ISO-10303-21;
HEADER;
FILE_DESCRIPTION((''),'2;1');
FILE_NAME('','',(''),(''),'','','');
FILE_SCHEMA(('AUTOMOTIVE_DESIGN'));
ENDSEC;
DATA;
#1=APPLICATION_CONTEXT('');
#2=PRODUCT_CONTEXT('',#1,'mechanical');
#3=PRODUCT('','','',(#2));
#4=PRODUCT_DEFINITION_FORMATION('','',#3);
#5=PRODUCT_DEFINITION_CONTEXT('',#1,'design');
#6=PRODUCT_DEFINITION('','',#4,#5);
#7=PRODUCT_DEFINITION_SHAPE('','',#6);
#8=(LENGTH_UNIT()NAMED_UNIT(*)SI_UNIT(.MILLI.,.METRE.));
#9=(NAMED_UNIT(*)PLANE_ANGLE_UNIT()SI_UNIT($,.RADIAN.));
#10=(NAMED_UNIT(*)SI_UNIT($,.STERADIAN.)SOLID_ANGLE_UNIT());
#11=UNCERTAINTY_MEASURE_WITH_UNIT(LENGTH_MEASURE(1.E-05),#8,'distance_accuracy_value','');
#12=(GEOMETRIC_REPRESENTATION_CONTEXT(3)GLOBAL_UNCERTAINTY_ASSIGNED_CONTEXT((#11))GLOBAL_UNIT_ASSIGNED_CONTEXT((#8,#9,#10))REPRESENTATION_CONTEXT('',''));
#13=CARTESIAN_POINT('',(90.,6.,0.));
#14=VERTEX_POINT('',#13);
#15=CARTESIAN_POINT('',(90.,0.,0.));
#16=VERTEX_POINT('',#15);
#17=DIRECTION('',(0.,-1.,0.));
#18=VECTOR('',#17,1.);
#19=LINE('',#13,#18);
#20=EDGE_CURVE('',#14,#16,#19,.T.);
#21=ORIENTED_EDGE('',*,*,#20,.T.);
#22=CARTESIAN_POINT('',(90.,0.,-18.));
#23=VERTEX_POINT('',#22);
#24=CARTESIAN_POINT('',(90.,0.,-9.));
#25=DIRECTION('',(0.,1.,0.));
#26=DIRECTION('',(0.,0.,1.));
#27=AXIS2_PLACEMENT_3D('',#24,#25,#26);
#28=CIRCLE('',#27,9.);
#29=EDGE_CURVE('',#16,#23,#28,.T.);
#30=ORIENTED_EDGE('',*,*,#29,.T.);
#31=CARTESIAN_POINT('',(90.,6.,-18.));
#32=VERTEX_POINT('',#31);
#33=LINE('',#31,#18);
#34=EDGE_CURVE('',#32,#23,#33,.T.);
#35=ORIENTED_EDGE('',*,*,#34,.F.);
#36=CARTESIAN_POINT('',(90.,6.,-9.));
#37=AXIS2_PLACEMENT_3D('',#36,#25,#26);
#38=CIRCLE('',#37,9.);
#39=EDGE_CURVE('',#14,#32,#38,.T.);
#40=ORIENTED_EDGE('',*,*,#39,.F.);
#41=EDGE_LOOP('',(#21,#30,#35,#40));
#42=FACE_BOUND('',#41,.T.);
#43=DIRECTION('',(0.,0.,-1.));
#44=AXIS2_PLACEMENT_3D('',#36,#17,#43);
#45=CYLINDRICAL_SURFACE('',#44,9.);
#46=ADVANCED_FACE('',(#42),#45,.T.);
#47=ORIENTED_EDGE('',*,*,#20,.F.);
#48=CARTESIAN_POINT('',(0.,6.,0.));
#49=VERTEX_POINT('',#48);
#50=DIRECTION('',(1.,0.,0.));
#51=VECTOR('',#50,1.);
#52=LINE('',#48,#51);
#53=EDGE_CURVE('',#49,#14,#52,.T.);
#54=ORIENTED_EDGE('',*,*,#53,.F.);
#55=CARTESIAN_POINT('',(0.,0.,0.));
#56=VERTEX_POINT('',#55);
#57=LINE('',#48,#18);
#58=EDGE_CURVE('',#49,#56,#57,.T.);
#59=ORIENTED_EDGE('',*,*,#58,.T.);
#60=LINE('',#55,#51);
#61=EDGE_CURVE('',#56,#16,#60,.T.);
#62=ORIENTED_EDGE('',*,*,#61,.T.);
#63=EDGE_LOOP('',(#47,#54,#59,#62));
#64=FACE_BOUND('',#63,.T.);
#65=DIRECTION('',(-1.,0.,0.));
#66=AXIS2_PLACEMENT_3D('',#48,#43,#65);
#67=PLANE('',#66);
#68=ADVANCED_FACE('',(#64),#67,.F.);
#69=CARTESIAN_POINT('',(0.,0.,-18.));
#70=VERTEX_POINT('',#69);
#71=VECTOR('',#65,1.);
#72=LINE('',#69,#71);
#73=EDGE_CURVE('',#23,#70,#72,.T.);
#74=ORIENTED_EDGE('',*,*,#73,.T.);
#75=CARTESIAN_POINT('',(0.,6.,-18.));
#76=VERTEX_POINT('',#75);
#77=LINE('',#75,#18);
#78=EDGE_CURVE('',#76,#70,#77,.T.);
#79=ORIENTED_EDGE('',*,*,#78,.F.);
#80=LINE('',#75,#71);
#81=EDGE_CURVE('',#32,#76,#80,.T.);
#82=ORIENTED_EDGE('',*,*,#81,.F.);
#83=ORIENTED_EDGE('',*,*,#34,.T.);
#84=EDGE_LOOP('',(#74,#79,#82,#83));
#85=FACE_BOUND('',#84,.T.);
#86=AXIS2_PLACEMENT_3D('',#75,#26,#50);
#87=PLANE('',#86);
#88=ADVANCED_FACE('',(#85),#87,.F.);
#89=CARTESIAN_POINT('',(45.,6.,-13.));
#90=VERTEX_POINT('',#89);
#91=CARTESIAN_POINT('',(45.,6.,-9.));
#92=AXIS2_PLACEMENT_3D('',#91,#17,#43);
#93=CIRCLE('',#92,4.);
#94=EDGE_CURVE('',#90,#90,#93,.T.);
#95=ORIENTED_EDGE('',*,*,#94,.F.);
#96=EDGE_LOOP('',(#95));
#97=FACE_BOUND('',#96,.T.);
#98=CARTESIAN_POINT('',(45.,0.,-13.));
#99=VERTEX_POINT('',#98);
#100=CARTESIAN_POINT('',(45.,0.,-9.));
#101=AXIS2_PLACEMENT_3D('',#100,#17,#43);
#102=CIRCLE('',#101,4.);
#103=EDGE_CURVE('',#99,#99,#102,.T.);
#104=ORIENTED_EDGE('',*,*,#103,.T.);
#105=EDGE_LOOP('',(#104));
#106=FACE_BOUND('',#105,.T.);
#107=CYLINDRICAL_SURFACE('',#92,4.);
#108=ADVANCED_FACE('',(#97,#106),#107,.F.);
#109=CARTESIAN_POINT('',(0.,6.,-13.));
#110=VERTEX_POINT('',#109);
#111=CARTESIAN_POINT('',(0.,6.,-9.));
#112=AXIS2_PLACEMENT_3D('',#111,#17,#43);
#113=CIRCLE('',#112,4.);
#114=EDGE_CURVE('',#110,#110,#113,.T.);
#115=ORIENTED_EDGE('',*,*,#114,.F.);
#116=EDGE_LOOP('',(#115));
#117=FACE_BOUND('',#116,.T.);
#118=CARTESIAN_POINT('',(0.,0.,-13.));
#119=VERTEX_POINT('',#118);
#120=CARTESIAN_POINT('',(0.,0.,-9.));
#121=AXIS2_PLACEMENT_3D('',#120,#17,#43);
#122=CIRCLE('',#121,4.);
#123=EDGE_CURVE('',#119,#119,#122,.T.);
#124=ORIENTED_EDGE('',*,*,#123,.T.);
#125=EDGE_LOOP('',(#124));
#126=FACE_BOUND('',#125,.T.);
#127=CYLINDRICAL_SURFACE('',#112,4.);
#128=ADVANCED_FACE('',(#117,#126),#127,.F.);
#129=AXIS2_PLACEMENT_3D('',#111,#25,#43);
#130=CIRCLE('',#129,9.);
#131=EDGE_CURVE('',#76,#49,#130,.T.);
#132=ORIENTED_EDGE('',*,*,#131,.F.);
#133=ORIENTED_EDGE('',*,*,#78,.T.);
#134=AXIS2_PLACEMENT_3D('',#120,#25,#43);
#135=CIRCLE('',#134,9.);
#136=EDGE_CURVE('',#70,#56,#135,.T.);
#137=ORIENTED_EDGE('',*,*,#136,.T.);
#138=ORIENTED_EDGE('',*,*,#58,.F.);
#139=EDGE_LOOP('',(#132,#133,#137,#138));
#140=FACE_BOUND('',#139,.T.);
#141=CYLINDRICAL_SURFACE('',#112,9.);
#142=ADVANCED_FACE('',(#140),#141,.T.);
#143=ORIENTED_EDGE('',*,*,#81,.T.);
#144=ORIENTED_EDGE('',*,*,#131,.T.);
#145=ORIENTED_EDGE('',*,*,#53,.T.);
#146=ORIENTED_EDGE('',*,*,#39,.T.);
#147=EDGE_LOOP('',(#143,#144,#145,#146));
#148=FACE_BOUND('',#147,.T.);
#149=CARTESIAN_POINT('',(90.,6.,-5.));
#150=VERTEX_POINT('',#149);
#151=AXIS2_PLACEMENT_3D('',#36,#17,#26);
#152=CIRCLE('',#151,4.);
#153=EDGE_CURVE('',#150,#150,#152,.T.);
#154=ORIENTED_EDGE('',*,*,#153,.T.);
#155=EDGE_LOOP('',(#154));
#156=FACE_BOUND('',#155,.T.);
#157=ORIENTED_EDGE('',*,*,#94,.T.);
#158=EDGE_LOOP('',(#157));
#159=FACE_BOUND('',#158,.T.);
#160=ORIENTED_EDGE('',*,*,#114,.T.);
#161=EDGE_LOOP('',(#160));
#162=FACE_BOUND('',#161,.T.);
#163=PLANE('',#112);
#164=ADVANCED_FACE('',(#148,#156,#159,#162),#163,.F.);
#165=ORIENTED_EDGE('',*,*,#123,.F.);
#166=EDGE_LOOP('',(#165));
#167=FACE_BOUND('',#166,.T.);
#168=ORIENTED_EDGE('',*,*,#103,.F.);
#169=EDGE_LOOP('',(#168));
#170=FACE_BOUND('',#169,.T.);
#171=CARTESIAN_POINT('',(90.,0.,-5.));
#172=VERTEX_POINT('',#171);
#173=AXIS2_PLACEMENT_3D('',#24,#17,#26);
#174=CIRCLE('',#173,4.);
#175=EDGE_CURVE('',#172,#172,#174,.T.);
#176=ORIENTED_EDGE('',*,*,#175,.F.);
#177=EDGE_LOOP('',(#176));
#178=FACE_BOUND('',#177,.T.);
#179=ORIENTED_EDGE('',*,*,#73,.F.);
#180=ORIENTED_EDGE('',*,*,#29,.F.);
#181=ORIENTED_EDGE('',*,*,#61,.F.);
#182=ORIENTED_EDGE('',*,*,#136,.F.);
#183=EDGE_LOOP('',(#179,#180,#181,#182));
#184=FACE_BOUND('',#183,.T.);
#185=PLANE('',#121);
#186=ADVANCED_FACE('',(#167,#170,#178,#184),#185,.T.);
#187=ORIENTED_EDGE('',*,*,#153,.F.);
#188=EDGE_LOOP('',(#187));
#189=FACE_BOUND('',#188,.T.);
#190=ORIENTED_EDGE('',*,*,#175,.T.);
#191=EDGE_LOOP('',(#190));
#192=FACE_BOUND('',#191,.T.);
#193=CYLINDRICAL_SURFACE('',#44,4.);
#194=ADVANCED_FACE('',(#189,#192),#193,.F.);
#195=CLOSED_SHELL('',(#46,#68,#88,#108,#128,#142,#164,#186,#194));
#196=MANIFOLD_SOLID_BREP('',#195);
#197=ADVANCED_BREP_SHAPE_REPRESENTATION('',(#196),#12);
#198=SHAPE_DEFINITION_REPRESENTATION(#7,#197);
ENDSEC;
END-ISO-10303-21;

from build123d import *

# Parameters (mm, degrees)
BOSS_EXTRUDE1_DEPTH = 6
SKETCH3_R           = 4
CUT_EXTRUDE1_DEPTH  = 6


with BuildPart() as part:
    # Sketch2 → Boss-Extrude1 (new body)
    with BuildSketch(Plane(origin=(0, 0, 0), x_dir=(1, 0, 0), z_dir=(0, 1, 0))):
        with BuildLine():
            Line((0, 0), (90, 0))
            ThreePointArc((90, 0), (99, 9), (90, 18))
            Line((90, 18), (0, 18))
            ThreePointArc((0, 18), (-9, 9), (0, 0))
        make_face()
    extrude(amount=BOSS_EXTRUDE1_DEPTH)

    # Sketch3 → Cut-Extrude1 (cut)
    with BuildSketch(Plane.XZ):
        with Locations(Location((0, -9, 0), (0, 0, 270))):
            Circle(SKETCH3_R)
        with Locations(Location((90, -9, 0), (0, 0, 90))):
            Circle(SKETCH3_R)
        with Locations(Location((45, -9, 0), (0, 0, 270))):
            Circle(SKETCH3_R)
    extrude(amount=-CUT_EXTRUDE1_DEPTH, mode=Mode.SUBTRACT)


solid = part.part
